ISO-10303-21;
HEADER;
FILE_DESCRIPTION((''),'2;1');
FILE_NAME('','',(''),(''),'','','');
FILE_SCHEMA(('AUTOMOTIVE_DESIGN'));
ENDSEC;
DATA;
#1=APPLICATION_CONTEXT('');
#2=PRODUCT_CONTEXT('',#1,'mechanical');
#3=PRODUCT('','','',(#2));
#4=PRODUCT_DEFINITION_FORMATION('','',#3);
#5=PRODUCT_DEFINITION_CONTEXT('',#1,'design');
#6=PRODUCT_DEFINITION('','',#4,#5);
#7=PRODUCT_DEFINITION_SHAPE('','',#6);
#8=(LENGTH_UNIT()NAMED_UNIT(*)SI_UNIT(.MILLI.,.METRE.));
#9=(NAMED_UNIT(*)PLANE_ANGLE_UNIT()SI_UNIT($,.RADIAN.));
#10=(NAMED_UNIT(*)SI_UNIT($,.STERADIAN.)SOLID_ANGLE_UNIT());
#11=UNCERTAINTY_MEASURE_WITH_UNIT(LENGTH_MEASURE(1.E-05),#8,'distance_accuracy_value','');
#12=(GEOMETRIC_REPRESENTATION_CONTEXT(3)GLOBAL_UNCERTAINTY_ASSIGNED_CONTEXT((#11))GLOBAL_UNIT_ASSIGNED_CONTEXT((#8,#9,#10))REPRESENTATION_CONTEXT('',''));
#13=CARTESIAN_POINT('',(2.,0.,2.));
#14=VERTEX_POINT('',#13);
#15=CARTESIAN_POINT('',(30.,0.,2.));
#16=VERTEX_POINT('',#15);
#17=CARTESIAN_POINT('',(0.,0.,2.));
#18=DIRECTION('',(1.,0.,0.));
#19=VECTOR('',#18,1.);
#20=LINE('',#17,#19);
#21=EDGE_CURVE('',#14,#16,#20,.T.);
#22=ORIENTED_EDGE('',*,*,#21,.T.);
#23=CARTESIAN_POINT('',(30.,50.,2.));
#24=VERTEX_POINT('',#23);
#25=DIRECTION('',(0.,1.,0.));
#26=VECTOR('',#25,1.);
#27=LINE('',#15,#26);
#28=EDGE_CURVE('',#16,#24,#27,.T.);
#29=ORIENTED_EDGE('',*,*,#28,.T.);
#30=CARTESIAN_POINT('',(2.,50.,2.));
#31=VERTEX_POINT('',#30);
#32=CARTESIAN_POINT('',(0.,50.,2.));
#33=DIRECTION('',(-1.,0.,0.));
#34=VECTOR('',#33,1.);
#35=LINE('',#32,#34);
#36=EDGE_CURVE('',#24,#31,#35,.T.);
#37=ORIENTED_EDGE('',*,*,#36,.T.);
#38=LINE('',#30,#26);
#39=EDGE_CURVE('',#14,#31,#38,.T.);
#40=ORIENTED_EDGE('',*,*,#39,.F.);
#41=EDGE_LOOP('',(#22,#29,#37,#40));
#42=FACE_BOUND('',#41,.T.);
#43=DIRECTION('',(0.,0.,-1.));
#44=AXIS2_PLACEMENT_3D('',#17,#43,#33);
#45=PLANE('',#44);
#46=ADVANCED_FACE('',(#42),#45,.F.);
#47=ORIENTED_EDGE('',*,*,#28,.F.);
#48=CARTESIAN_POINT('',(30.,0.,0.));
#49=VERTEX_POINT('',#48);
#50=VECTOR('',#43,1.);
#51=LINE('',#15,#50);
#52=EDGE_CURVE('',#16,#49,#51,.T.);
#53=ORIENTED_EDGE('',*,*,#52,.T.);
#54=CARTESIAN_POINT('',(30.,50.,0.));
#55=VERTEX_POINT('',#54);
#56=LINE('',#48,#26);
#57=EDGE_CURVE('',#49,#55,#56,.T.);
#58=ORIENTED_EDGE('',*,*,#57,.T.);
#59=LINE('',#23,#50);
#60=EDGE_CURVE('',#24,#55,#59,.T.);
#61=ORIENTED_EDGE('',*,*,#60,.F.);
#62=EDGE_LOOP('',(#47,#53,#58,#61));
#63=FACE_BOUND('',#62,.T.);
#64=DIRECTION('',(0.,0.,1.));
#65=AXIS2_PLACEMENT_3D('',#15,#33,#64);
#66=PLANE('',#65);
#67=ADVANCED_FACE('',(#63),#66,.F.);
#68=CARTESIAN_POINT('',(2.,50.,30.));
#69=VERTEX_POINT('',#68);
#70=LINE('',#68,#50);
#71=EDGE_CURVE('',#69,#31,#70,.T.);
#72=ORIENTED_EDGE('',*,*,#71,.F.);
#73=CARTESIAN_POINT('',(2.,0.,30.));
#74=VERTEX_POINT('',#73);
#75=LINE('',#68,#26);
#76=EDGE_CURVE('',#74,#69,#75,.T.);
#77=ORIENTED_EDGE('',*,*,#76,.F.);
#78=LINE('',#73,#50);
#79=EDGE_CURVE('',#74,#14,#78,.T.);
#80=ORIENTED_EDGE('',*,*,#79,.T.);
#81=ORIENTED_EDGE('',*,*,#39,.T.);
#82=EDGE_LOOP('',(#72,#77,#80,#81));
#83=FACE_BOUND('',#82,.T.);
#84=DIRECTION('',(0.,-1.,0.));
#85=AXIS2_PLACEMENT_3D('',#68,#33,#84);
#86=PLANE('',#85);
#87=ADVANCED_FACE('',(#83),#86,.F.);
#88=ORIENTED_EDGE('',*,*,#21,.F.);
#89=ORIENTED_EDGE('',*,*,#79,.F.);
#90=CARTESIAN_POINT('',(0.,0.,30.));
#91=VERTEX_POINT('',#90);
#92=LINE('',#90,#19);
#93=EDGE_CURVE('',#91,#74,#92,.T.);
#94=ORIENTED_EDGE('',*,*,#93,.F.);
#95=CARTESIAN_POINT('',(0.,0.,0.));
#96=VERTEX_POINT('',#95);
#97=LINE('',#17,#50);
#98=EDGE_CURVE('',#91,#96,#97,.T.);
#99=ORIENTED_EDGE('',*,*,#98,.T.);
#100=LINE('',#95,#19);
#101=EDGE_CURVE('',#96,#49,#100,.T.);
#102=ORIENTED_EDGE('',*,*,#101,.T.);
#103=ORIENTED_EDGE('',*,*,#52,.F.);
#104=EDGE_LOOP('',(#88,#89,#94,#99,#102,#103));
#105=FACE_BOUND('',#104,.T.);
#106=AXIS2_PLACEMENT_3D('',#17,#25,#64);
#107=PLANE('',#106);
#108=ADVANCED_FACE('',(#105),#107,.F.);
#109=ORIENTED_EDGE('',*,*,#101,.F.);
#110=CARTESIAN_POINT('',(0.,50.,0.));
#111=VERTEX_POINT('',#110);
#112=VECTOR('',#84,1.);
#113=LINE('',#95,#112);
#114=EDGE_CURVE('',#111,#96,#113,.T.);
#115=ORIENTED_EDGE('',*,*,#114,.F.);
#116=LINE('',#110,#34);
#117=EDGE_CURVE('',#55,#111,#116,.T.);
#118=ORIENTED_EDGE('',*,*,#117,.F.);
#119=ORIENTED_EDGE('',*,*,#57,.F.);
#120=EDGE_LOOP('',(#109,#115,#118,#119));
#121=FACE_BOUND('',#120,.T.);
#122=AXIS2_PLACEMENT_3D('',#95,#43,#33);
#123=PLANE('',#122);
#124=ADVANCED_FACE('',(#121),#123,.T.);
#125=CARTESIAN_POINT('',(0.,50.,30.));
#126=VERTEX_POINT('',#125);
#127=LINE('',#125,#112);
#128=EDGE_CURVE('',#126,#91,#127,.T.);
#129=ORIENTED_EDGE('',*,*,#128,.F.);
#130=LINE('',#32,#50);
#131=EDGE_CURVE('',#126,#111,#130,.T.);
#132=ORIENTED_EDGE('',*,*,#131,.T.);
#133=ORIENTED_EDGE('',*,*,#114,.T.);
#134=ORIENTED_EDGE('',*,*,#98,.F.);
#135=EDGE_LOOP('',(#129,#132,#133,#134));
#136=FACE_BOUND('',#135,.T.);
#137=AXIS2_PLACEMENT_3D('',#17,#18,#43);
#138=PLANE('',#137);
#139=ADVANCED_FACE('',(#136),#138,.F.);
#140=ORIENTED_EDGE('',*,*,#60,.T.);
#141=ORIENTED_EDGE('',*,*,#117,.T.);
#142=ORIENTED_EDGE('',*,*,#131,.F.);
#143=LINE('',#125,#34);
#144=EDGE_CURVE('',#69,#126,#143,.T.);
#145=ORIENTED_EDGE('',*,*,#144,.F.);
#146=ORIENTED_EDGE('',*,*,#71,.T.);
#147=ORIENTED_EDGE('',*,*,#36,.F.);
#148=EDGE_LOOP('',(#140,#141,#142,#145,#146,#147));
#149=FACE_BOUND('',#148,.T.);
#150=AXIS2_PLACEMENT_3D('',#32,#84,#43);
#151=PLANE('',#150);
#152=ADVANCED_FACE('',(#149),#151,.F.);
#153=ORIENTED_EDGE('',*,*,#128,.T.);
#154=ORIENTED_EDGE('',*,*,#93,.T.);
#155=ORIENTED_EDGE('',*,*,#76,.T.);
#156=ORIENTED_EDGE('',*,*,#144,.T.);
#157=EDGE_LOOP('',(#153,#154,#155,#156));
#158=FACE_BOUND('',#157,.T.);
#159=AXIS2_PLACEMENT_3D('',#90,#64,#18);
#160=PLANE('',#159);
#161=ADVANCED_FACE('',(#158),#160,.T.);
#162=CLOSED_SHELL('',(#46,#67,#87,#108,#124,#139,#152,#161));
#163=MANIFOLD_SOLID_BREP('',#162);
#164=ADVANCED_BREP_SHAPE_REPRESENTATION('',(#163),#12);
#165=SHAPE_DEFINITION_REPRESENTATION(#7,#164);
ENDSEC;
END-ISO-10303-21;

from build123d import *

# Parameters (mm, degrees)
ESQUISSE1_W        = 30
ESQUISSE1_H        = 50
BOSS_EXTRU_1_DEPTH = 2
ESQUISSE2_W        = 2
ESQUISSE2_H        = 50
BOSS_EXTRU_2_DEPTH = 28


with BuildPart() as part:
    # Esquisse1 → Boss.-Extru.1 (new body)
    with BuildSketch(Plane.XY):
        with Locations((15, 25)):
            Rectangle(ESQUISSE1_W, ESQUISSE1_H)
    extrude(amount=BOSS_EXTRU_1_DEPTH)

    # Esquisse2 → Boss.-Extru.2 (add)
    with BuildSketch(Plane.XY.offset(2)):
        with Locations((1, 25)):
            Rectangle(ESQUISSE2_W, ESQUISSE2_H)
    extrude(amount=BOSS_EXTRU_2_DEPTH)


solid = part.part
